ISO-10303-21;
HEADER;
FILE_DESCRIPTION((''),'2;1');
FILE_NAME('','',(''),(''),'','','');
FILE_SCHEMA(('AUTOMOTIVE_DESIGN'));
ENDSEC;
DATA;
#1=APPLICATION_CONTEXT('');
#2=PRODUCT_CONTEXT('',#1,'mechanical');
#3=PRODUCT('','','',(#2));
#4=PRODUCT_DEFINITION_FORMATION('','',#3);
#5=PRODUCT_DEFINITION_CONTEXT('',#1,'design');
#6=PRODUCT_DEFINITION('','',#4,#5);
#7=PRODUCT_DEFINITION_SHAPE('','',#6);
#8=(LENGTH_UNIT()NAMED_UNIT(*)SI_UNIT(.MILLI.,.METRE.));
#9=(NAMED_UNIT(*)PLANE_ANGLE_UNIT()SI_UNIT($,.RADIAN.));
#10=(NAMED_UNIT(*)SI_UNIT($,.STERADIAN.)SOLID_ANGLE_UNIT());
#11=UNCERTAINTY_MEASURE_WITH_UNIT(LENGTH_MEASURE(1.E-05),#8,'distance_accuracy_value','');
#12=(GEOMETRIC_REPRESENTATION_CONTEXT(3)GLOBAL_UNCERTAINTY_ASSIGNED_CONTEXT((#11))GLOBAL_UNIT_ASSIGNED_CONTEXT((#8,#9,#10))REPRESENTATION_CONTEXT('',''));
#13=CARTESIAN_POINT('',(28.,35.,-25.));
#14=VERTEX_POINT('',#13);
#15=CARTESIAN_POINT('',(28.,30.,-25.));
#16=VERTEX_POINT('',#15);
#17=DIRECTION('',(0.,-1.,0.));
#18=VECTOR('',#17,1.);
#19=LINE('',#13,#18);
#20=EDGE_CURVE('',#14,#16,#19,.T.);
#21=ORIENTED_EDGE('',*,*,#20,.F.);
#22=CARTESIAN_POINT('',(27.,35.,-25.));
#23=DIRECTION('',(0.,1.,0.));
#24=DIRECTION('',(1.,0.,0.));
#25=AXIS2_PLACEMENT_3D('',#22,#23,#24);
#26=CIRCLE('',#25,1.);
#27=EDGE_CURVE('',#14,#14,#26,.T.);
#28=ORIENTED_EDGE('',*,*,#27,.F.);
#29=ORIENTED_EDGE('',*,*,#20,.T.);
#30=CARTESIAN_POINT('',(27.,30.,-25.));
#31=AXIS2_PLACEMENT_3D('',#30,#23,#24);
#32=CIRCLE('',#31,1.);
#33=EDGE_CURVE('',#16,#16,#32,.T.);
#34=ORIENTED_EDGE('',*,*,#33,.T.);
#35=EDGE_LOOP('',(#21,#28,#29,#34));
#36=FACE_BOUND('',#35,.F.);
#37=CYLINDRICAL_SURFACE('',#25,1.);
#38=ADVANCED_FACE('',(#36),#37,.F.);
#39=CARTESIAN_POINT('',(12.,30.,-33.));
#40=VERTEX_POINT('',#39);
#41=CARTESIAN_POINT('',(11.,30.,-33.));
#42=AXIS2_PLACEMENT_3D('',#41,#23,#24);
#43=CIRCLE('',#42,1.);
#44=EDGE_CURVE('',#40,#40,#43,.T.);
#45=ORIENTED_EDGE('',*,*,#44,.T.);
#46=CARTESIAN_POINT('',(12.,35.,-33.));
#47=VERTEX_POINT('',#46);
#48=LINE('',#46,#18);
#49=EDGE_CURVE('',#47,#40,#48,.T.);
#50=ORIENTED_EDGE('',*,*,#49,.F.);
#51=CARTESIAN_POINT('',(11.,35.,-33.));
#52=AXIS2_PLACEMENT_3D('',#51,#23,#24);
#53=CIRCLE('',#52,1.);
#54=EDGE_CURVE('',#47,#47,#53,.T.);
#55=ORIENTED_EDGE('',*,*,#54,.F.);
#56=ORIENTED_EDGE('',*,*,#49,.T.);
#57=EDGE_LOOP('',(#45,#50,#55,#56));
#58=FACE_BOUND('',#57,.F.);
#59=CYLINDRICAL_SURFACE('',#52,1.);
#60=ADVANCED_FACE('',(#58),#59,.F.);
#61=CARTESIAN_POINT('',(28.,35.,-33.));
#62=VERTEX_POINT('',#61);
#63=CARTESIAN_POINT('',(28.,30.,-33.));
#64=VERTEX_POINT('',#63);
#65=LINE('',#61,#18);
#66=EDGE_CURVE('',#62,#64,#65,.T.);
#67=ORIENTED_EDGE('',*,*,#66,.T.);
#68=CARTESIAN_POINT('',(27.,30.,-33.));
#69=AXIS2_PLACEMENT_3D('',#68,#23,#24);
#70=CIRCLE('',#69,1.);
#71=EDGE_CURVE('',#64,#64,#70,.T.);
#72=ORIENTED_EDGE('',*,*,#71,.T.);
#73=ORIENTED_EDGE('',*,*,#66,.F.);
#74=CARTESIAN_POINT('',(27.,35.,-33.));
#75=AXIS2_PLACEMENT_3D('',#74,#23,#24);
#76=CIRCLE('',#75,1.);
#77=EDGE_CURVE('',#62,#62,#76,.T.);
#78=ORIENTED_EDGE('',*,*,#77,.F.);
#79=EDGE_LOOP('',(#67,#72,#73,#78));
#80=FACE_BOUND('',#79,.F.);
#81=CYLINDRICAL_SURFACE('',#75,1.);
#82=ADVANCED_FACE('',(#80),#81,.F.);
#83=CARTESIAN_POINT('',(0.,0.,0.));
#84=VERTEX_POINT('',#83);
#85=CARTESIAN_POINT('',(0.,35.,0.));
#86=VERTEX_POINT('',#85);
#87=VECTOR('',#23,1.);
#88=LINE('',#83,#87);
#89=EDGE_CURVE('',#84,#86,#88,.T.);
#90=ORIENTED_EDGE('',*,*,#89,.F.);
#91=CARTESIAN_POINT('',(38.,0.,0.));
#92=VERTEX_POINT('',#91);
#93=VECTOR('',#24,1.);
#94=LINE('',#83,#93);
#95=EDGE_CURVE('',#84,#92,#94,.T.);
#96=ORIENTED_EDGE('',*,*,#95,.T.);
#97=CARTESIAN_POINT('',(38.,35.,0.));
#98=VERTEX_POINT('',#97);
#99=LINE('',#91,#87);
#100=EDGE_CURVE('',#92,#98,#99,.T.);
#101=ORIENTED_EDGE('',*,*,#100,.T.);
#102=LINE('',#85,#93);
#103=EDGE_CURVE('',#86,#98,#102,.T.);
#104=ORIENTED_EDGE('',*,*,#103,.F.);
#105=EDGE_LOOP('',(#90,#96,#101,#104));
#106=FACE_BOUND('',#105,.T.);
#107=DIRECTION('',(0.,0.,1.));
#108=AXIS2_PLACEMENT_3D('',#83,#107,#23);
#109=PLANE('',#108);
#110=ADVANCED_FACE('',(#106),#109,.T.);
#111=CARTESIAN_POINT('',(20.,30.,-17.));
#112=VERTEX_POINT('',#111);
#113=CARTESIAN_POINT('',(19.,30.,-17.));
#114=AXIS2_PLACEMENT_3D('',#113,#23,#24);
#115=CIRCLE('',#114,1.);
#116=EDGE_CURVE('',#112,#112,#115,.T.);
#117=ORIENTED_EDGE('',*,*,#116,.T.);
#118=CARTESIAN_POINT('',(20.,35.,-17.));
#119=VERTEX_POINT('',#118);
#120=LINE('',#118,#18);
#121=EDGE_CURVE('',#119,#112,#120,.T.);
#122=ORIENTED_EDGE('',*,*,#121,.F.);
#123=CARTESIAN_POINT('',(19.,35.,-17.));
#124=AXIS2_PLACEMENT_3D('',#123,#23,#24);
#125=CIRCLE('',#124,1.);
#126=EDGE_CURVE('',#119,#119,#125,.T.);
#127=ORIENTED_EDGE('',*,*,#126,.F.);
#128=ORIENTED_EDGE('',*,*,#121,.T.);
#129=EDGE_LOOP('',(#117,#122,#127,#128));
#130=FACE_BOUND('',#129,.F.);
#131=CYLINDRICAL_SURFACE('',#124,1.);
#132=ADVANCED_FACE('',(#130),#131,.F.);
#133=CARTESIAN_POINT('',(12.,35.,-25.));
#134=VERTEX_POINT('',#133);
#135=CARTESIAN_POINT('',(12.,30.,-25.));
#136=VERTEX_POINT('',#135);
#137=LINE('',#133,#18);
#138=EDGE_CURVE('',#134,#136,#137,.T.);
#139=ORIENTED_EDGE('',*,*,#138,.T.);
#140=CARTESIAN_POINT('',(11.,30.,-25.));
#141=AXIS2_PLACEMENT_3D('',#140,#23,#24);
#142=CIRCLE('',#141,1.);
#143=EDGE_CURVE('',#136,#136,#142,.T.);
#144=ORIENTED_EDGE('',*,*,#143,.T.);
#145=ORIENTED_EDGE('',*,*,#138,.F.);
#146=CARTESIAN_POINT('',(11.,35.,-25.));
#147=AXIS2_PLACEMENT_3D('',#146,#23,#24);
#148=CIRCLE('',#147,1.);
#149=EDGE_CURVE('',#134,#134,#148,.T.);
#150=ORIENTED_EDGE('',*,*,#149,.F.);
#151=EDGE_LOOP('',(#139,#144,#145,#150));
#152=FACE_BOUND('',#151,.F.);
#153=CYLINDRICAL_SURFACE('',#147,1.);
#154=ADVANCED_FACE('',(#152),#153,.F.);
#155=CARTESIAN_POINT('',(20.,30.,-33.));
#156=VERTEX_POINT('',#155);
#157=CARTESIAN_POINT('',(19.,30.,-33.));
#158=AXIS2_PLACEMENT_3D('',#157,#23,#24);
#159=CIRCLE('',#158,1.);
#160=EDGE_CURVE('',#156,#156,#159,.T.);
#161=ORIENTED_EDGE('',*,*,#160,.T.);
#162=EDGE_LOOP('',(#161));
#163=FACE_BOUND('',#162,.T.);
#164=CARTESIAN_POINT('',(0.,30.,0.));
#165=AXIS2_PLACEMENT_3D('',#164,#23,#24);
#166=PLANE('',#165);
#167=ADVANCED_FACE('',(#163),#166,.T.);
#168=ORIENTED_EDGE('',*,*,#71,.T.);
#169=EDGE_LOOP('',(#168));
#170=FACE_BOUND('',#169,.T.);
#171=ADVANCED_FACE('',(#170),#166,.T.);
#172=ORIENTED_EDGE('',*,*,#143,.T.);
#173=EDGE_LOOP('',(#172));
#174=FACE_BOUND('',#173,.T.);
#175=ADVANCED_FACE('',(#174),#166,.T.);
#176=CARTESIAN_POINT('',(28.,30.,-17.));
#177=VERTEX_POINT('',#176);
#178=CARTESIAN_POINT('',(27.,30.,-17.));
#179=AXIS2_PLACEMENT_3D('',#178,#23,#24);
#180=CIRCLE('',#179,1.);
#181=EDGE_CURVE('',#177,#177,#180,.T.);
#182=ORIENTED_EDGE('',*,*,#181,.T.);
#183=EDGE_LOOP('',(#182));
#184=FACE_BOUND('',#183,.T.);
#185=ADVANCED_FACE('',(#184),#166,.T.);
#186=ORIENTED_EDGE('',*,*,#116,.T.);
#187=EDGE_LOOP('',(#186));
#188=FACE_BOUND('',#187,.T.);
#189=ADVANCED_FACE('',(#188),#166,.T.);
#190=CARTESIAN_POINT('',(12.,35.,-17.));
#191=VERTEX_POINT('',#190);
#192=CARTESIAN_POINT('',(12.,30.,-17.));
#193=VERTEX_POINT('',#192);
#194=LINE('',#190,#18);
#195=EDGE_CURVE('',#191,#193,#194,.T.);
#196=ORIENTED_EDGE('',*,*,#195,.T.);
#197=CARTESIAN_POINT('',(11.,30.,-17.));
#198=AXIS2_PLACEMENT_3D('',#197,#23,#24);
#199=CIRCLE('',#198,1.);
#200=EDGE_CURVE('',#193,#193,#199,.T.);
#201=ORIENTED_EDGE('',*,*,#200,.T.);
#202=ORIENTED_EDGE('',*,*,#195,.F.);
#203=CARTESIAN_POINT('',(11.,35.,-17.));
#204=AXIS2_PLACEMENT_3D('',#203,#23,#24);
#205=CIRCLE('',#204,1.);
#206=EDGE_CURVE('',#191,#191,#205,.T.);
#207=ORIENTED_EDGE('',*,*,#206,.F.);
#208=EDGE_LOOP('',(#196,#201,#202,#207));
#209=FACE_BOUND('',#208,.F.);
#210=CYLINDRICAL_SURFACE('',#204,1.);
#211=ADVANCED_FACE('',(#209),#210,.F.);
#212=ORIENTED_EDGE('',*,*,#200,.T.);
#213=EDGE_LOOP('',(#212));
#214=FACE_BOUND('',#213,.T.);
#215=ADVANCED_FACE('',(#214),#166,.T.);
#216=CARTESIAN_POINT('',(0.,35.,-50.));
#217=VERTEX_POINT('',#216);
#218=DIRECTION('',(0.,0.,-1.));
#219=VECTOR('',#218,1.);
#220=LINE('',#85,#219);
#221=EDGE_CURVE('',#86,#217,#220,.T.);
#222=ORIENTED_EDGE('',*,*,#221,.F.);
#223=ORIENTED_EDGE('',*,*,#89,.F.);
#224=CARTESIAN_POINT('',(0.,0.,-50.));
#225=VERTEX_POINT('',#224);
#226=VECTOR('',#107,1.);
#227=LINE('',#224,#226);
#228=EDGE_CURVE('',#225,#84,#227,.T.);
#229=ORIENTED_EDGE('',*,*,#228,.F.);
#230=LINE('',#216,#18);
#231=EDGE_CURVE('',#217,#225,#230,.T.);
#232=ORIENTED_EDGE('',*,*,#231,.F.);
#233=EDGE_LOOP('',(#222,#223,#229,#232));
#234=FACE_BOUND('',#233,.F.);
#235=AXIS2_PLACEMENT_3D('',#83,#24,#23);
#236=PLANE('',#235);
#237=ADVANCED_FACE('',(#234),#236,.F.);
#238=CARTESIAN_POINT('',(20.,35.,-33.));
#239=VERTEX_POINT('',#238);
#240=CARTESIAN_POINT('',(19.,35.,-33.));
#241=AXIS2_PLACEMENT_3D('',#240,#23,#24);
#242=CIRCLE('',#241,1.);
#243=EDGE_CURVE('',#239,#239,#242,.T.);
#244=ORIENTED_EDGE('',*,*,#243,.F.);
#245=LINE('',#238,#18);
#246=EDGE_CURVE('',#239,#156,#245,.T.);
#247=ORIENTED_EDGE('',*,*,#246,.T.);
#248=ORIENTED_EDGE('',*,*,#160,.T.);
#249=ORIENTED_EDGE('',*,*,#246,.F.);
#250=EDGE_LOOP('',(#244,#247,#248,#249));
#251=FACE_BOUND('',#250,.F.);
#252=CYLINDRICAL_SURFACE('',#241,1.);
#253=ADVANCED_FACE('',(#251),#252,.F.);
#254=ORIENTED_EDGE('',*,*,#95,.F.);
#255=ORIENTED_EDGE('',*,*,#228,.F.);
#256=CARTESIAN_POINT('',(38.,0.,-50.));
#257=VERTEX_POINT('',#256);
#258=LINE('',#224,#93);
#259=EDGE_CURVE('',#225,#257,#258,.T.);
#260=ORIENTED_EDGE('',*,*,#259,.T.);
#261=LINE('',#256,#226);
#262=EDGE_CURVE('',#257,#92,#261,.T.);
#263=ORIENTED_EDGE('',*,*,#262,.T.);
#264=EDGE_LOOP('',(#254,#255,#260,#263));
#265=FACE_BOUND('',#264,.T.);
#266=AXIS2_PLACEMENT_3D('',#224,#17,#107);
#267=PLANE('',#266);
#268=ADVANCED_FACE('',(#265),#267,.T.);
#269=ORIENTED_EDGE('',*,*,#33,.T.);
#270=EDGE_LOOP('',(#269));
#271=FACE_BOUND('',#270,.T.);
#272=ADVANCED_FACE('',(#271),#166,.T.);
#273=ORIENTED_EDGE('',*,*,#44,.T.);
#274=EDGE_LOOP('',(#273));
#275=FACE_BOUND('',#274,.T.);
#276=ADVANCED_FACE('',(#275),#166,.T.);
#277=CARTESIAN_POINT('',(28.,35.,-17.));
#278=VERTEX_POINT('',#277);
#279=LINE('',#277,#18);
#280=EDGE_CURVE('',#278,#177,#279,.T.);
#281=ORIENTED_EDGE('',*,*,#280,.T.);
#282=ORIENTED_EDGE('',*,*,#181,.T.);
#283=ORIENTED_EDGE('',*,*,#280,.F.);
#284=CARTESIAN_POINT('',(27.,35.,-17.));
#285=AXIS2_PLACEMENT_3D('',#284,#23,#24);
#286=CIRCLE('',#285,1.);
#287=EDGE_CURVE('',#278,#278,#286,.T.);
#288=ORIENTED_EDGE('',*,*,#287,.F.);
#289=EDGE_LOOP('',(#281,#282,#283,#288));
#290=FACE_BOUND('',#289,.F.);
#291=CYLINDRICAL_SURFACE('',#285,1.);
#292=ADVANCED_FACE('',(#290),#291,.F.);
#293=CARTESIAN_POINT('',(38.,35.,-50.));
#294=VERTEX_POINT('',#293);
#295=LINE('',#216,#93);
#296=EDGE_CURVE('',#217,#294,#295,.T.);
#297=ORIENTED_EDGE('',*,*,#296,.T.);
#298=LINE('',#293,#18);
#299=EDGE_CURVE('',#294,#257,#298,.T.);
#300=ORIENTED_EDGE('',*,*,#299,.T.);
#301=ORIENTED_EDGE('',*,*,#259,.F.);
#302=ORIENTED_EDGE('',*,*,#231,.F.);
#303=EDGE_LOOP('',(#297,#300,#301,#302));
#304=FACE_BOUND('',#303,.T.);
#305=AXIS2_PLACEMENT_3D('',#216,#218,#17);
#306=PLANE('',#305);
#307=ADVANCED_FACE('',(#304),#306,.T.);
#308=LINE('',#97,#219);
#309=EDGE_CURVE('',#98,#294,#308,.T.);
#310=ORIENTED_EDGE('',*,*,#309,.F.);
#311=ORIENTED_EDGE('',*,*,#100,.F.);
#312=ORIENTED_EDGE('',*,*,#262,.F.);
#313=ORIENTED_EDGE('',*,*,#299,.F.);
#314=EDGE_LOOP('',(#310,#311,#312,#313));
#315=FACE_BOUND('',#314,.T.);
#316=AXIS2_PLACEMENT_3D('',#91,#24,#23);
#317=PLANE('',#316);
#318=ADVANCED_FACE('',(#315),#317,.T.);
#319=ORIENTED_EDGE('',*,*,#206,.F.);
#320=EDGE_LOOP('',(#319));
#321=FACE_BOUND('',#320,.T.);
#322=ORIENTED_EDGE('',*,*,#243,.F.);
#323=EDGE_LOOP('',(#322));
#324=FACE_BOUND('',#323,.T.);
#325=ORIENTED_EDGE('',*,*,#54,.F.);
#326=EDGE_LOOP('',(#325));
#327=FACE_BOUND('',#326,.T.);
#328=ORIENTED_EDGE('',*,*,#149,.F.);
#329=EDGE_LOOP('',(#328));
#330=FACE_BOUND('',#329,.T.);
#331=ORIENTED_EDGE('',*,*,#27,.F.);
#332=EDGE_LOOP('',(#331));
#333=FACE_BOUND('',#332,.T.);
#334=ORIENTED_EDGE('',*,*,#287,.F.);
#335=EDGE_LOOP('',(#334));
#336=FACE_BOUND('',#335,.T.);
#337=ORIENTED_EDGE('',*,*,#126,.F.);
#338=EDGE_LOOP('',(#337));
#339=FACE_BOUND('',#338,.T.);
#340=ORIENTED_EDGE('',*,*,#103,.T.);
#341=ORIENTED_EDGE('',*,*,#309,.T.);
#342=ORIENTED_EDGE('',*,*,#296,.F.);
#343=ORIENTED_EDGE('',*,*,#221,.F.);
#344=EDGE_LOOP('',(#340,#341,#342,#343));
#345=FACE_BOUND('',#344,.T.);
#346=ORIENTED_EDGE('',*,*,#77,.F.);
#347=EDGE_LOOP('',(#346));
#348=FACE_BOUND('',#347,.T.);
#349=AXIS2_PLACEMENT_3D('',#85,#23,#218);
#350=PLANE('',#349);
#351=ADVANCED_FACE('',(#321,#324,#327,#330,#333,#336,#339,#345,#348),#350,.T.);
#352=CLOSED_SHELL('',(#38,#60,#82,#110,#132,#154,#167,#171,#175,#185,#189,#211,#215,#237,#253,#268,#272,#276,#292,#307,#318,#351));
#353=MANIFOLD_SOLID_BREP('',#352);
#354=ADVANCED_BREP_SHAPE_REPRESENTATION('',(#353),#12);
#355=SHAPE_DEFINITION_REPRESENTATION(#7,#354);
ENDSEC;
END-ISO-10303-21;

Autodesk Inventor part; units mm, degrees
ref_plane "YZ Plane" through (0, 0, 0) normal (1, 0, 0) x (0, 1, 0)
ref_plane "XZ Plane" through (0, 0, 0) normal (0, 1, 0) x (-1, 0, 0)
ref_plane "XY Plane" through (0, 0, 0) normal (0, 0, 1) x (1, 0, 0)
sketch "Esquisse1" plane through (0, 0, 0) normal (1, 0, 0) x (0, 1, 0)
  line L0 (0, 0) -> (35, 0)
  line L1 (35, 0) -> (35, -50)
  line L2 (35, -50) -> (0, -50)
  line L3 (0, -50) -> (0, 0)
  dimension "d0" = 35
  dimension "d1" = 50
extrude "Extrusion1" add sketch "Esquisse1" along normal blind 38
sketch "Esquisse2" plane through (0, 0, 0) normal (-1, 0, 0) x (0, 0, 1)
  point P0 (0, 0)
sketch "Esquisse3" plane through (0, 35, 0) normal (0, 1, 0) x (1, 0, 0)
  line L0 (0, 0) -> (38, 0) construction
  line L1 (19, 0) -> (19, 25) construction
  line L2 (0, 0) -> (0, 50) construction
  line L3 (0, 50) -> (0, 0) construction
  line L4 (0, 25) -> (11, 25) construction
  circle A0 centre (11, 25) radius 1
  line L5 (11, 25) -> (11, 17) construction
  circle A1 centre (11, 17) radius 1
  circle A2 centre (11, 25) radius 1
  circle A3 centre (11, 33) radius 1
  circle A4 centre (19, 17) radius 1
  circle A5 centre (19, 25) radius 1
  circle A6 centre (19, 33) radius 1
  circle A7 centre (27, 17) radius 1
  circle A8 centre (27, 25) radius 1
  circle A9 centre (27, 33) radius 1
  dimension "d4" = 25
  dimension "d6" = 11
  dimension "d7" = 2
  dimension "d8" = 8
  dimension "d9" = 2
  dimension "d12" = 8
  dimension "d15" = 8
extrude "Extrusion2" cut sketch "Esquisse3" against normal blind 5 contours A0 | A1 | A3 | A4 | A6 | A7 | A8 | A9
sketch "Esquisse4" plane through (0, 35, 0) normal (0, 1, 0) x (1, 0, 0)
  circle A0 centre (27, 25) radius 1 projected
  circle A1 centre (19, 33) radius 1 projected
  circle A2 centre (11, 33) radius 1 projected
  circle A3 centre (11, 25) radius 1 projected
  circle A4 centre (11, 17) radius 1 projected
  circle A5 centre (19, 17) radius 1 projected
  circle A6 centre (27, 17) radius 1 projected
  circle A7 centre (27, 33) radius 1 projected
  line L0 (0, 0) -> (0, 50) projected
  line L1 (0, 0) -> (38, 0) projected
  line L2 (38, 50) -> (38, 0) projected
  line L3 (0, 50) -> (38, 50) projected
  point P0 (0, 0)
properties part number "Ax12"
